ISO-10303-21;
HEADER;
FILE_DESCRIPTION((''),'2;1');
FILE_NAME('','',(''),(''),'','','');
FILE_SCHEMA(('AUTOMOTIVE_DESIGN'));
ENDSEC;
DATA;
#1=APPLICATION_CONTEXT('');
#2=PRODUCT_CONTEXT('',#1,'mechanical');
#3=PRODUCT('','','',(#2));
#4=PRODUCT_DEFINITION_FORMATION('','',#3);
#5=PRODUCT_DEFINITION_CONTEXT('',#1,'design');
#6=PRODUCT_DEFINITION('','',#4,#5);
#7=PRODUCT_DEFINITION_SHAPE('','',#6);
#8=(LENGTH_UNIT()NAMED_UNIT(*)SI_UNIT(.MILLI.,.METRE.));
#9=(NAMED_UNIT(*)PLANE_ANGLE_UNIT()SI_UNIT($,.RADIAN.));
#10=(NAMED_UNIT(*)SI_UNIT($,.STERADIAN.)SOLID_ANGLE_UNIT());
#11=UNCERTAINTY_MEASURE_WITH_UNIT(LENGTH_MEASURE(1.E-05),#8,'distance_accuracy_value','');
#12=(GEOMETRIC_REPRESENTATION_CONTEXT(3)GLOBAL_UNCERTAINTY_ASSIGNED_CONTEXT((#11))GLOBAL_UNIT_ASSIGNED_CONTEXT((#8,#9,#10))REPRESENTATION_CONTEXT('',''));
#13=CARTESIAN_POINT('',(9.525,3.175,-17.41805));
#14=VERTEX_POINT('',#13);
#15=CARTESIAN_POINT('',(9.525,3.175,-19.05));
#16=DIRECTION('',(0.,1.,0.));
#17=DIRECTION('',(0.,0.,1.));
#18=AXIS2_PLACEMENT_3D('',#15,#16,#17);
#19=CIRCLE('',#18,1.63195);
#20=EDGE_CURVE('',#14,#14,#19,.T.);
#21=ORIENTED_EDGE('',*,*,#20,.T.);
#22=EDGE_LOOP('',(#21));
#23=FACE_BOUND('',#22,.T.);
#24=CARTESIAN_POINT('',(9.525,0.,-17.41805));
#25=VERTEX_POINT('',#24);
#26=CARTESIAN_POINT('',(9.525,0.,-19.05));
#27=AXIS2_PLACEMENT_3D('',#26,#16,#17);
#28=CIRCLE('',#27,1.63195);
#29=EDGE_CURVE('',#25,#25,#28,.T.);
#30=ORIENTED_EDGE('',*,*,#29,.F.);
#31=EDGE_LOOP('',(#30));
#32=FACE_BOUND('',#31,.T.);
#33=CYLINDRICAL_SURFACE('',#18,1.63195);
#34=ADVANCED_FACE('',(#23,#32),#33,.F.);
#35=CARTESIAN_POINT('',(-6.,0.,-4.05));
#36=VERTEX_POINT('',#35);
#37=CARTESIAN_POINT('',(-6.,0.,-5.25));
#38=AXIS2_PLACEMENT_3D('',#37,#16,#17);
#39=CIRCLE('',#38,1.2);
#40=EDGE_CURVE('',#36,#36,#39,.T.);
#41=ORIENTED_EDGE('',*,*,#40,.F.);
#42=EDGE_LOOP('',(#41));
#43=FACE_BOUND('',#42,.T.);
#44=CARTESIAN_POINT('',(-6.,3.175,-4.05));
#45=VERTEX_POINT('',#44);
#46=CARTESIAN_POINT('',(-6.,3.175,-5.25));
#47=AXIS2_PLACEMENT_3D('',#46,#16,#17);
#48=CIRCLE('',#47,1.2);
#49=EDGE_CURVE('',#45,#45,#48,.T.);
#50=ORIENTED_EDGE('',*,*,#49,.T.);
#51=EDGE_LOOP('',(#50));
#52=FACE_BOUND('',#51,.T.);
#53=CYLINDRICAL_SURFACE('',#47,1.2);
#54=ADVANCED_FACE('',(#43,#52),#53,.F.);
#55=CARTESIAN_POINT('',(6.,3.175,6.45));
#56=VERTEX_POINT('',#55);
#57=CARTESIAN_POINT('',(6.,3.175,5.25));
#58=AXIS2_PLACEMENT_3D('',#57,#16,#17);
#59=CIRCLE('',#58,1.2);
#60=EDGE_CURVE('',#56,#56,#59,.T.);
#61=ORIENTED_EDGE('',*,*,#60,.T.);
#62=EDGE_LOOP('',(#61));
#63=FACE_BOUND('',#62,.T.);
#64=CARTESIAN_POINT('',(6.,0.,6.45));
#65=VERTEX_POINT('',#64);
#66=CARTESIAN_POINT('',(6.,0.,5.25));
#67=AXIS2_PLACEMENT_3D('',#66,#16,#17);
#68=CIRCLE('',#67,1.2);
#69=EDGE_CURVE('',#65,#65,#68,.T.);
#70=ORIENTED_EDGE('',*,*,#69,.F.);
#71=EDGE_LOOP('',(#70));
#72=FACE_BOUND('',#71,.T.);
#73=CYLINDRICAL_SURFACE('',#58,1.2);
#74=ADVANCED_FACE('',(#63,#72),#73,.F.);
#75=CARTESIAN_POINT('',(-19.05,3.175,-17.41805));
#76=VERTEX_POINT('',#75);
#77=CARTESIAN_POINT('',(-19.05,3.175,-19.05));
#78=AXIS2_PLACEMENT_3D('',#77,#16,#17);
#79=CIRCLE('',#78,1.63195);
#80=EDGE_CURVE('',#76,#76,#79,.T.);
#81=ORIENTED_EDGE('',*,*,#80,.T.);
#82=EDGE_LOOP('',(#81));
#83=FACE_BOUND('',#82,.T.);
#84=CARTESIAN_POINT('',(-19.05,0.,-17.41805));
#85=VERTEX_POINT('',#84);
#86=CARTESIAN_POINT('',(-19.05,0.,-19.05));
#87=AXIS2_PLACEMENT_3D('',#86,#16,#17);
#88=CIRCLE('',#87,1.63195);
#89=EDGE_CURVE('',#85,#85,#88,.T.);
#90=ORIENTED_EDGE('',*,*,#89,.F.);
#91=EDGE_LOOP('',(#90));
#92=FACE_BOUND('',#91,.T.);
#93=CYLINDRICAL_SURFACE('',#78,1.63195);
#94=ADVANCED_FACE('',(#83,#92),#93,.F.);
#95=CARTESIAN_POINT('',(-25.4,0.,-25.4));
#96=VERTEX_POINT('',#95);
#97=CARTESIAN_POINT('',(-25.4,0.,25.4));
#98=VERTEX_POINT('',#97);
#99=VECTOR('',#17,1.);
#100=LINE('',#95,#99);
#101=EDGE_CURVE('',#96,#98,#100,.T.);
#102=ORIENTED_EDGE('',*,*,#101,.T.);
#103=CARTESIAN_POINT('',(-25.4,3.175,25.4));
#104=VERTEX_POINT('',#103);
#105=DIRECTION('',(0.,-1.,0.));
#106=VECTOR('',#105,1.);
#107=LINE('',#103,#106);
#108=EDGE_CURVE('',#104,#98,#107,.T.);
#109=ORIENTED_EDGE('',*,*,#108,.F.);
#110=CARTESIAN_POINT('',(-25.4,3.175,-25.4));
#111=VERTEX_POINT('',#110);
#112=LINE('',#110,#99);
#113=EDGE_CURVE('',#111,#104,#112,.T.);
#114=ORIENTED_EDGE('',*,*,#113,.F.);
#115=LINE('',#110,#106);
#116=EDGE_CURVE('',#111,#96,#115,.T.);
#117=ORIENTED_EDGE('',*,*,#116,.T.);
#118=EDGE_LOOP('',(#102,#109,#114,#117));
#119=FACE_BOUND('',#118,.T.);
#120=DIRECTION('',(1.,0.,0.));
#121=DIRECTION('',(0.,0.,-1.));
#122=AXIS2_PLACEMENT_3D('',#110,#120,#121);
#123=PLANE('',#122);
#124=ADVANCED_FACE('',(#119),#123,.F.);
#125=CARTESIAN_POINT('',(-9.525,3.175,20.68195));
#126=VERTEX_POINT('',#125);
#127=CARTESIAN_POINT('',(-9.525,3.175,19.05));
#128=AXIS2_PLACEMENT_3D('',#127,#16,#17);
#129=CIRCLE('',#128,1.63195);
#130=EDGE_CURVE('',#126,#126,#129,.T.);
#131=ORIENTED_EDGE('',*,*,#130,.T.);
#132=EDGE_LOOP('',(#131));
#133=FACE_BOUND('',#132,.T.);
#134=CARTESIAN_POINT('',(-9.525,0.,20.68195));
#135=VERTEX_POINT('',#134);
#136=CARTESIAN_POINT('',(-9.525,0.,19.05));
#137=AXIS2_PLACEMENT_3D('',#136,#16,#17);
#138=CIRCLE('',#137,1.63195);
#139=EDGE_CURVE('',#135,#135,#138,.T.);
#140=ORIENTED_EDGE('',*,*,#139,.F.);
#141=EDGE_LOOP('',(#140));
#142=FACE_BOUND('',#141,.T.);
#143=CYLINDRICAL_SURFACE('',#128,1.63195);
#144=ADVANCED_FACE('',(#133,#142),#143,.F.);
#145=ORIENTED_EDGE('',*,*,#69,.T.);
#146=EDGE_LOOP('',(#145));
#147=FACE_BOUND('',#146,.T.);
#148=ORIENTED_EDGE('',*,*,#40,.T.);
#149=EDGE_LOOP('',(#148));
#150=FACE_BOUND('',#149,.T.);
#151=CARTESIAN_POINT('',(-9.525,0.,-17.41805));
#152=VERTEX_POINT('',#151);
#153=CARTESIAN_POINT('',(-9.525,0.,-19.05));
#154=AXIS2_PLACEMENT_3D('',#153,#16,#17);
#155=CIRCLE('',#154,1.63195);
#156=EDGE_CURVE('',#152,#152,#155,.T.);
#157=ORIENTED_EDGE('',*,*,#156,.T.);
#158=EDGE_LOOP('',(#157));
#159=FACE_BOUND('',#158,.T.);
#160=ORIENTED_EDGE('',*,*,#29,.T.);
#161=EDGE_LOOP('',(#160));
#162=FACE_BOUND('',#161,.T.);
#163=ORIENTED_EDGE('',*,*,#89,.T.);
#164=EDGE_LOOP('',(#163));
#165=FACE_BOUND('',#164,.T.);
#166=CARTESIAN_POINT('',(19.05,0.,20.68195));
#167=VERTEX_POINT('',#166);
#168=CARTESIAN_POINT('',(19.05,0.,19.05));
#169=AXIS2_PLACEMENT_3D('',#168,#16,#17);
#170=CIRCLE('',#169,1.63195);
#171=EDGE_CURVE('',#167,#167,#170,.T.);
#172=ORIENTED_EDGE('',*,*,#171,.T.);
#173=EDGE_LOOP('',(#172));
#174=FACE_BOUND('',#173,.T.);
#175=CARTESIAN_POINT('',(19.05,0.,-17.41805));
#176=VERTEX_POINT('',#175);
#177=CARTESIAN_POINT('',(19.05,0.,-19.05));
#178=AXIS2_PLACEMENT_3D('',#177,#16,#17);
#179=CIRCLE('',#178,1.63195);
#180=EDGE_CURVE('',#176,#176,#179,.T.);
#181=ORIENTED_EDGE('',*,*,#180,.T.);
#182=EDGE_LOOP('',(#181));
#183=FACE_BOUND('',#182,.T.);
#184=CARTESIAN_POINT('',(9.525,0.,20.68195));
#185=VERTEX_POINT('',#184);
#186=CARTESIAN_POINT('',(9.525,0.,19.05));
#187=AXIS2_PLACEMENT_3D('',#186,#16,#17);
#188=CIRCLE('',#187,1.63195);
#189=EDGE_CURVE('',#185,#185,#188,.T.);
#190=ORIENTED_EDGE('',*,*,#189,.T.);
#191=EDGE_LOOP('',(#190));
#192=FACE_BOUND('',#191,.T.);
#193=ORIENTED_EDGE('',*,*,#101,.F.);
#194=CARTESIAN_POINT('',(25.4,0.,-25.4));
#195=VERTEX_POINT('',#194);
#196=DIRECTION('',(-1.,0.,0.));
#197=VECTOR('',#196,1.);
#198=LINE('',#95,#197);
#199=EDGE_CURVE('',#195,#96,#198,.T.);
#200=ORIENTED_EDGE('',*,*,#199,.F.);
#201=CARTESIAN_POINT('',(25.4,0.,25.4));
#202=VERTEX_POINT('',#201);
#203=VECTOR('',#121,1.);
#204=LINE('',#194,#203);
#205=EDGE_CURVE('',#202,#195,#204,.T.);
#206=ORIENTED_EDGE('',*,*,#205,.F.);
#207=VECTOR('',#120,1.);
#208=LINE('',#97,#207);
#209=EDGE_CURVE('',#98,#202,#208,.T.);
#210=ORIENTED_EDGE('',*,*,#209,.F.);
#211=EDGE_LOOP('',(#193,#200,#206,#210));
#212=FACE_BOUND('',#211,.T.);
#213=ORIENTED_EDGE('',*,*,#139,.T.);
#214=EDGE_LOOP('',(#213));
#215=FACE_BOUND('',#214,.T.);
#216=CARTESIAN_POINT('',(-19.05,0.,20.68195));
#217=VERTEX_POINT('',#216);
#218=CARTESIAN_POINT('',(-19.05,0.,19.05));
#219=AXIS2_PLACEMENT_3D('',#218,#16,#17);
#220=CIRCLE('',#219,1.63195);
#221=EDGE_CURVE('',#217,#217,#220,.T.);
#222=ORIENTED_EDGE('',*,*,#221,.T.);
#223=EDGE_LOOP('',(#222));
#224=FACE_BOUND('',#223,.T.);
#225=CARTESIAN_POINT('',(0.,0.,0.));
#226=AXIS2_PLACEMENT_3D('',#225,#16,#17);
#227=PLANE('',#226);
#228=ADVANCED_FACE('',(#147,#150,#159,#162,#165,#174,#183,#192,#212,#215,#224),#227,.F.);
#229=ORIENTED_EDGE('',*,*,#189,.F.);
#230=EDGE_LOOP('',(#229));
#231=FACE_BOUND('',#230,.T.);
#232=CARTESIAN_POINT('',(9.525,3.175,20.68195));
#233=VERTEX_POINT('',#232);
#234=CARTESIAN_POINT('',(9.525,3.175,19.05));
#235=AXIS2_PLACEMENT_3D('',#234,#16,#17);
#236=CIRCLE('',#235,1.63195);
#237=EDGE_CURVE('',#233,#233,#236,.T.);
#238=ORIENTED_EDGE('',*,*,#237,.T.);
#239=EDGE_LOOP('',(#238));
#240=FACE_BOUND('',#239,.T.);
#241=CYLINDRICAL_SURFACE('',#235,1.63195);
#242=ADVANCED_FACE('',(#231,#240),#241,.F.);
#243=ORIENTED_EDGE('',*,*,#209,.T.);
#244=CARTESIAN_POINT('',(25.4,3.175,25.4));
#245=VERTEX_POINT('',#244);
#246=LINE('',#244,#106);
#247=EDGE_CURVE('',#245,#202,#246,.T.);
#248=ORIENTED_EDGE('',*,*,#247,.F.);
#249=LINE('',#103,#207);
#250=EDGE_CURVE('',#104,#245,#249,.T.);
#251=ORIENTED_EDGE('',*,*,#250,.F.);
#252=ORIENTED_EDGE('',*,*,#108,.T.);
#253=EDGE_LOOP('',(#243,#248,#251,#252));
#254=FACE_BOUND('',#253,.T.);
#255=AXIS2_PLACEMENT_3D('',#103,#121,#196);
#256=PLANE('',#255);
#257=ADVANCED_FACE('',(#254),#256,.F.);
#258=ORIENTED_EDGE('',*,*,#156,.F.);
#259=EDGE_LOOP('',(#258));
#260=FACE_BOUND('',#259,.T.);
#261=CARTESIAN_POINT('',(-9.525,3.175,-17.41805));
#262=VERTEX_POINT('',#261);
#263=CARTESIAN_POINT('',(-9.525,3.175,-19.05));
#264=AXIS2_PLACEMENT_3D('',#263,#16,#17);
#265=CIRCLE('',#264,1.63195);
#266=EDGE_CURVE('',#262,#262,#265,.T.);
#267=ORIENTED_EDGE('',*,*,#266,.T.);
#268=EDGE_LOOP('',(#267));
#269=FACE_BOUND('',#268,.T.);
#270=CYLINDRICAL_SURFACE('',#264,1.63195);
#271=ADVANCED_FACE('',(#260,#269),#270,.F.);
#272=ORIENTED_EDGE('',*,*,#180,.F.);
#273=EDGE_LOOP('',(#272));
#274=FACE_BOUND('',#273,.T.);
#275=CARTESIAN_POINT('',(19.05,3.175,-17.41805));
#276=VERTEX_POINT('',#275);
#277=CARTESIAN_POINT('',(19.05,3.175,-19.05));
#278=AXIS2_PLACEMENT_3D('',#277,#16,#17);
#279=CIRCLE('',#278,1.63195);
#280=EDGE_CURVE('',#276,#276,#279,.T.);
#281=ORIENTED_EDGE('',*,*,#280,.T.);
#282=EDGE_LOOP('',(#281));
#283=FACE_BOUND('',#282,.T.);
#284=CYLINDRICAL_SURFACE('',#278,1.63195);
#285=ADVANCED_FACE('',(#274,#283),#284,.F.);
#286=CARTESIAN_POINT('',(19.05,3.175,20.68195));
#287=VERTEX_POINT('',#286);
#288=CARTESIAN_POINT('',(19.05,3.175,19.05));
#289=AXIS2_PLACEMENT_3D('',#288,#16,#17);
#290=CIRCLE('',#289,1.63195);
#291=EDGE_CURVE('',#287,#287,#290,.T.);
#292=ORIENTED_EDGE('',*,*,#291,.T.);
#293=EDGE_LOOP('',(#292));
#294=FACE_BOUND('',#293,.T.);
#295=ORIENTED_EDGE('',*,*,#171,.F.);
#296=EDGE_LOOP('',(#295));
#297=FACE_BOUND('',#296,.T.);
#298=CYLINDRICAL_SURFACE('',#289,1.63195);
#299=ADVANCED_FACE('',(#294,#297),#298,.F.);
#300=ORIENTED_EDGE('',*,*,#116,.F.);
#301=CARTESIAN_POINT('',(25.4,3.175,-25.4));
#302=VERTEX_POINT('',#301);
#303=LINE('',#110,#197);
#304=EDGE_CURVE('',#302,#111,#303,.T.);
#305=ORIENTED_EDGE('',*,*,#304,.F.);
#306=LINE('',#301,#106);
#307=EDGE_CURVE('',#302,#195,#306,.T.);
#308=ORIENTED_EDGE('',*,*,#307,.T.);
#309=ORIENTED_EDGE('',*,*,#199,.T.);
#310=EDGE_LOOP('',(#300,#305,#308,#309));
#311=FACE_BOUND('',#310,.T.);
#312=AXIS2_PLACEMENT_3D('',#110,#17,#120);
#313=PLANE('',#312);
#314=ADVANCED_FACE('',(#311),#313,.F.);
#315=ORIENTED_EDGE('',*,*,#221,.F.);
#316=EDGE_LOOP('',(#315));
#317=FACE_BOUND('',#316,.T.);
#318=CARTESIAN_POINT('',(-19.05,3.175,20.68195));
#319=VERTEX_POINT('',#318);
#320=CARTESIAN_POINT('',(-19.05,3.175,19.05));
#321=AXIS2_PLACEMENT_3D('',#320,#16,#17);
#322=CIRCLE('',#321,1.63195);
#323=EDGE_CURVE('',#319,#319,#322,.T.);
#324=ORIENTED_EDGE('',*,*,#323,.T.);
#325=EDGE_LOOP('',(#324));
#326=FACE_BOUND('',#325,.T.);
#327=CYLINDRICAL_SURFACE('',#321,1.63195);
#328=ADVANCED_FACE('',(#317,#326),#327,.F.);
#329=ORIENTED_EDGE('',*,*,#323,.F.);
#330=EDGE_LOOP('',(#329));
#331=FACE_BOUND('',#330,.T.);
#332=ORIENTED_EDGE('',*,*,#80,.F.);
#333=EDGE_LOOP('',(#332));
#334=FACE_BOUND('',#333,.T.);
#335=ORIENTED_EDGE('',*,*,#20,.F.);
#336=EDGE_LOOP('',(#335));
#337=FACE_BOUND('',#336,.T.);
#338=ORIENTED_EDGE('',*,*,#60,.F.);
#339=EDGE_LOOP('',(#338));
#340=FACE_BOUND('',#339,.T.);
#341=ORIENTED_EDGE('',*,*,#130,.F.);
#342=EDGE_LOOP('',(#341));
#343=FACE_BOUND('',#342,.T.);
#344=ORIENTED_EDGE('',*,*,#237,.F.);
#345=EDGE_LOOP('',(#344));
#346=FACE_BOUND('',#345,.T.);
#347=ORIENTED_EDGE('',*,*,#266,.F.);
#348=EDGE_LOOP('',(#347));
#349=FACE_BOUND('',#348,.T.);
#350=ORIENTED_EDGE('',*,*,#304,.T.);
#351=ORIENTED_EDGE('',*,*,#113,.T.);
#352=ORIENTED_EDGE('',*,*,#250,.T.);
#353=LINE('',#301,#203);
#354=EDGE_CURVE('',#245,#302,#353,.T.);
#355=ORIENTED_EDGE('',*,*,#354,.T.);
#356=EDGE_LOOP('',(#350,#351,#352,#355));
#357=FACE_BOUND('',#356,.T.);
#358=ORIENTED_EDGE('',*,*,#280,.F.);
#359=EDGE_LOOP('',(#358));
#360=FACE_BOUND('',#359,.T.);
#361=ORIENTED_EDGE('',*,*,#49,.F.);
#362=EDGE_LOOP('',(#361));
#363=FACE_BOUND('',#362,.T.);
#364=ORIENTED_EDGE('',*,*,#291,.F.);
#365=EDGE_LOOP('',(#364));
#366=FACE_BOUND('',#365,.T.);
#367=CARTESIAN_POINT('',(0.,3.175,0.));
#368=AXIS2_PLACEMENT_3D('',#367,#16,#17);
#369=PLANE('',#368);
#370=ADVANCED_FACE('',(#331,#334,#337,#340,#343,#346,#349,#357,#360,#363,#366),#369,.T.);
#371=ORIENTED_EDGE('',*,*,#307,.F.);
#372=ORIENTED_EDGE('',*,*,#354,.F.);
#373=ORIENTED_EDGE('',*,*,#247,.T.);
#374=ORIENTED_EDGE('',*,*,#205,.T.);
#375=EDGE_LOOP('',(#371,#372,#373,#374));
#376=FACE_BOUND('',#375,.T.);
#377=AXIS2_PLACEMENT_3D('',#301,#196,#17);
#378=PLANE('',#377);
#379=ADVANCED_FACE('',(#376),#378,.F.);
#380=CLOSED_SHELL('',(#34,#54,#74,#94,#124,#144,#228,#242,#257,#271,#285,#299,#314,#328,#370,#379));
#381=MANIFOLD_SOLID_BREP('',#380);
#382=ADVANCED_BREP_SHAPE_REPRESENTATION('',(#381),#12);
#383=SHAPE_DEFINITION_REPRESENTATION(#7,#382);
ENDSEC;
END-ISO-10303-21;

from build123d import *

# Parameters (mm, degrees)
SKETCH1_W             = 50.8
SKETCH1_H             = 50.8
BOSS_EXTRUDE1_DEPTH   = 3.175
M2_CLEARANCE_HOLE1_D  = 2.4
F_4_CLEARANCE_HOLE1_D = 3.2639
F_4_CLEARANCE_HOLE2_D = 3.2639


with BuildPart() as part:
    # Sketch1 → Boss-Extrude1 (new body)
    with BuildSketch(Plane(origin=(0, 0, 0), x_dir=(1, 0, 0), z_dir=(0, 1, 0))):
        Rectangle(SKETCH1_W, SKETCH1_H)
    extrude(amount=BOSS_EXTRUDE1_DEPTH)

    # M2 Clearance Hole1 (through all)
    with Locations(Plane(origin=(0, 3.175, 0), x_dir=(1, 0, 0), z_dir=(0, 1, 0))):
        with Locations((6, -5.25), (-6, 5.25)):
            Hole(M2_CLEARANCE_HOLE1_D / 2)

    # #4 Clearance Hole1 (through all)
    with Locations(Plane(origin=(0, 3.175, 0), x_dir=(1, 0, 0), z_dir=(0, 1, 0))):
        with Locations((-19.05, -19.05), (19.05, 19.05), (19.05, -19.05), (-19.05, 19.05)):
            Hole(F_4_CLEARANCE_HOLE1_D / 2)

    # #4 Clearance Hole2 (through all)
    with Locations(Plane(origin=(-33.504228334, 3.175, -53.736749861), x_dir=(1, 0, 0), z_dir=(0, 1, 0))):
        with Locations((23.979228334, -34.686749861), (43.029228334, -34.686749861), (43.029228334, -72.786749861), (23.979228334, -72.786749861)):
            Hole(F_4_CLEARANCE_HOLE2_D / 2)


solid = part.part
